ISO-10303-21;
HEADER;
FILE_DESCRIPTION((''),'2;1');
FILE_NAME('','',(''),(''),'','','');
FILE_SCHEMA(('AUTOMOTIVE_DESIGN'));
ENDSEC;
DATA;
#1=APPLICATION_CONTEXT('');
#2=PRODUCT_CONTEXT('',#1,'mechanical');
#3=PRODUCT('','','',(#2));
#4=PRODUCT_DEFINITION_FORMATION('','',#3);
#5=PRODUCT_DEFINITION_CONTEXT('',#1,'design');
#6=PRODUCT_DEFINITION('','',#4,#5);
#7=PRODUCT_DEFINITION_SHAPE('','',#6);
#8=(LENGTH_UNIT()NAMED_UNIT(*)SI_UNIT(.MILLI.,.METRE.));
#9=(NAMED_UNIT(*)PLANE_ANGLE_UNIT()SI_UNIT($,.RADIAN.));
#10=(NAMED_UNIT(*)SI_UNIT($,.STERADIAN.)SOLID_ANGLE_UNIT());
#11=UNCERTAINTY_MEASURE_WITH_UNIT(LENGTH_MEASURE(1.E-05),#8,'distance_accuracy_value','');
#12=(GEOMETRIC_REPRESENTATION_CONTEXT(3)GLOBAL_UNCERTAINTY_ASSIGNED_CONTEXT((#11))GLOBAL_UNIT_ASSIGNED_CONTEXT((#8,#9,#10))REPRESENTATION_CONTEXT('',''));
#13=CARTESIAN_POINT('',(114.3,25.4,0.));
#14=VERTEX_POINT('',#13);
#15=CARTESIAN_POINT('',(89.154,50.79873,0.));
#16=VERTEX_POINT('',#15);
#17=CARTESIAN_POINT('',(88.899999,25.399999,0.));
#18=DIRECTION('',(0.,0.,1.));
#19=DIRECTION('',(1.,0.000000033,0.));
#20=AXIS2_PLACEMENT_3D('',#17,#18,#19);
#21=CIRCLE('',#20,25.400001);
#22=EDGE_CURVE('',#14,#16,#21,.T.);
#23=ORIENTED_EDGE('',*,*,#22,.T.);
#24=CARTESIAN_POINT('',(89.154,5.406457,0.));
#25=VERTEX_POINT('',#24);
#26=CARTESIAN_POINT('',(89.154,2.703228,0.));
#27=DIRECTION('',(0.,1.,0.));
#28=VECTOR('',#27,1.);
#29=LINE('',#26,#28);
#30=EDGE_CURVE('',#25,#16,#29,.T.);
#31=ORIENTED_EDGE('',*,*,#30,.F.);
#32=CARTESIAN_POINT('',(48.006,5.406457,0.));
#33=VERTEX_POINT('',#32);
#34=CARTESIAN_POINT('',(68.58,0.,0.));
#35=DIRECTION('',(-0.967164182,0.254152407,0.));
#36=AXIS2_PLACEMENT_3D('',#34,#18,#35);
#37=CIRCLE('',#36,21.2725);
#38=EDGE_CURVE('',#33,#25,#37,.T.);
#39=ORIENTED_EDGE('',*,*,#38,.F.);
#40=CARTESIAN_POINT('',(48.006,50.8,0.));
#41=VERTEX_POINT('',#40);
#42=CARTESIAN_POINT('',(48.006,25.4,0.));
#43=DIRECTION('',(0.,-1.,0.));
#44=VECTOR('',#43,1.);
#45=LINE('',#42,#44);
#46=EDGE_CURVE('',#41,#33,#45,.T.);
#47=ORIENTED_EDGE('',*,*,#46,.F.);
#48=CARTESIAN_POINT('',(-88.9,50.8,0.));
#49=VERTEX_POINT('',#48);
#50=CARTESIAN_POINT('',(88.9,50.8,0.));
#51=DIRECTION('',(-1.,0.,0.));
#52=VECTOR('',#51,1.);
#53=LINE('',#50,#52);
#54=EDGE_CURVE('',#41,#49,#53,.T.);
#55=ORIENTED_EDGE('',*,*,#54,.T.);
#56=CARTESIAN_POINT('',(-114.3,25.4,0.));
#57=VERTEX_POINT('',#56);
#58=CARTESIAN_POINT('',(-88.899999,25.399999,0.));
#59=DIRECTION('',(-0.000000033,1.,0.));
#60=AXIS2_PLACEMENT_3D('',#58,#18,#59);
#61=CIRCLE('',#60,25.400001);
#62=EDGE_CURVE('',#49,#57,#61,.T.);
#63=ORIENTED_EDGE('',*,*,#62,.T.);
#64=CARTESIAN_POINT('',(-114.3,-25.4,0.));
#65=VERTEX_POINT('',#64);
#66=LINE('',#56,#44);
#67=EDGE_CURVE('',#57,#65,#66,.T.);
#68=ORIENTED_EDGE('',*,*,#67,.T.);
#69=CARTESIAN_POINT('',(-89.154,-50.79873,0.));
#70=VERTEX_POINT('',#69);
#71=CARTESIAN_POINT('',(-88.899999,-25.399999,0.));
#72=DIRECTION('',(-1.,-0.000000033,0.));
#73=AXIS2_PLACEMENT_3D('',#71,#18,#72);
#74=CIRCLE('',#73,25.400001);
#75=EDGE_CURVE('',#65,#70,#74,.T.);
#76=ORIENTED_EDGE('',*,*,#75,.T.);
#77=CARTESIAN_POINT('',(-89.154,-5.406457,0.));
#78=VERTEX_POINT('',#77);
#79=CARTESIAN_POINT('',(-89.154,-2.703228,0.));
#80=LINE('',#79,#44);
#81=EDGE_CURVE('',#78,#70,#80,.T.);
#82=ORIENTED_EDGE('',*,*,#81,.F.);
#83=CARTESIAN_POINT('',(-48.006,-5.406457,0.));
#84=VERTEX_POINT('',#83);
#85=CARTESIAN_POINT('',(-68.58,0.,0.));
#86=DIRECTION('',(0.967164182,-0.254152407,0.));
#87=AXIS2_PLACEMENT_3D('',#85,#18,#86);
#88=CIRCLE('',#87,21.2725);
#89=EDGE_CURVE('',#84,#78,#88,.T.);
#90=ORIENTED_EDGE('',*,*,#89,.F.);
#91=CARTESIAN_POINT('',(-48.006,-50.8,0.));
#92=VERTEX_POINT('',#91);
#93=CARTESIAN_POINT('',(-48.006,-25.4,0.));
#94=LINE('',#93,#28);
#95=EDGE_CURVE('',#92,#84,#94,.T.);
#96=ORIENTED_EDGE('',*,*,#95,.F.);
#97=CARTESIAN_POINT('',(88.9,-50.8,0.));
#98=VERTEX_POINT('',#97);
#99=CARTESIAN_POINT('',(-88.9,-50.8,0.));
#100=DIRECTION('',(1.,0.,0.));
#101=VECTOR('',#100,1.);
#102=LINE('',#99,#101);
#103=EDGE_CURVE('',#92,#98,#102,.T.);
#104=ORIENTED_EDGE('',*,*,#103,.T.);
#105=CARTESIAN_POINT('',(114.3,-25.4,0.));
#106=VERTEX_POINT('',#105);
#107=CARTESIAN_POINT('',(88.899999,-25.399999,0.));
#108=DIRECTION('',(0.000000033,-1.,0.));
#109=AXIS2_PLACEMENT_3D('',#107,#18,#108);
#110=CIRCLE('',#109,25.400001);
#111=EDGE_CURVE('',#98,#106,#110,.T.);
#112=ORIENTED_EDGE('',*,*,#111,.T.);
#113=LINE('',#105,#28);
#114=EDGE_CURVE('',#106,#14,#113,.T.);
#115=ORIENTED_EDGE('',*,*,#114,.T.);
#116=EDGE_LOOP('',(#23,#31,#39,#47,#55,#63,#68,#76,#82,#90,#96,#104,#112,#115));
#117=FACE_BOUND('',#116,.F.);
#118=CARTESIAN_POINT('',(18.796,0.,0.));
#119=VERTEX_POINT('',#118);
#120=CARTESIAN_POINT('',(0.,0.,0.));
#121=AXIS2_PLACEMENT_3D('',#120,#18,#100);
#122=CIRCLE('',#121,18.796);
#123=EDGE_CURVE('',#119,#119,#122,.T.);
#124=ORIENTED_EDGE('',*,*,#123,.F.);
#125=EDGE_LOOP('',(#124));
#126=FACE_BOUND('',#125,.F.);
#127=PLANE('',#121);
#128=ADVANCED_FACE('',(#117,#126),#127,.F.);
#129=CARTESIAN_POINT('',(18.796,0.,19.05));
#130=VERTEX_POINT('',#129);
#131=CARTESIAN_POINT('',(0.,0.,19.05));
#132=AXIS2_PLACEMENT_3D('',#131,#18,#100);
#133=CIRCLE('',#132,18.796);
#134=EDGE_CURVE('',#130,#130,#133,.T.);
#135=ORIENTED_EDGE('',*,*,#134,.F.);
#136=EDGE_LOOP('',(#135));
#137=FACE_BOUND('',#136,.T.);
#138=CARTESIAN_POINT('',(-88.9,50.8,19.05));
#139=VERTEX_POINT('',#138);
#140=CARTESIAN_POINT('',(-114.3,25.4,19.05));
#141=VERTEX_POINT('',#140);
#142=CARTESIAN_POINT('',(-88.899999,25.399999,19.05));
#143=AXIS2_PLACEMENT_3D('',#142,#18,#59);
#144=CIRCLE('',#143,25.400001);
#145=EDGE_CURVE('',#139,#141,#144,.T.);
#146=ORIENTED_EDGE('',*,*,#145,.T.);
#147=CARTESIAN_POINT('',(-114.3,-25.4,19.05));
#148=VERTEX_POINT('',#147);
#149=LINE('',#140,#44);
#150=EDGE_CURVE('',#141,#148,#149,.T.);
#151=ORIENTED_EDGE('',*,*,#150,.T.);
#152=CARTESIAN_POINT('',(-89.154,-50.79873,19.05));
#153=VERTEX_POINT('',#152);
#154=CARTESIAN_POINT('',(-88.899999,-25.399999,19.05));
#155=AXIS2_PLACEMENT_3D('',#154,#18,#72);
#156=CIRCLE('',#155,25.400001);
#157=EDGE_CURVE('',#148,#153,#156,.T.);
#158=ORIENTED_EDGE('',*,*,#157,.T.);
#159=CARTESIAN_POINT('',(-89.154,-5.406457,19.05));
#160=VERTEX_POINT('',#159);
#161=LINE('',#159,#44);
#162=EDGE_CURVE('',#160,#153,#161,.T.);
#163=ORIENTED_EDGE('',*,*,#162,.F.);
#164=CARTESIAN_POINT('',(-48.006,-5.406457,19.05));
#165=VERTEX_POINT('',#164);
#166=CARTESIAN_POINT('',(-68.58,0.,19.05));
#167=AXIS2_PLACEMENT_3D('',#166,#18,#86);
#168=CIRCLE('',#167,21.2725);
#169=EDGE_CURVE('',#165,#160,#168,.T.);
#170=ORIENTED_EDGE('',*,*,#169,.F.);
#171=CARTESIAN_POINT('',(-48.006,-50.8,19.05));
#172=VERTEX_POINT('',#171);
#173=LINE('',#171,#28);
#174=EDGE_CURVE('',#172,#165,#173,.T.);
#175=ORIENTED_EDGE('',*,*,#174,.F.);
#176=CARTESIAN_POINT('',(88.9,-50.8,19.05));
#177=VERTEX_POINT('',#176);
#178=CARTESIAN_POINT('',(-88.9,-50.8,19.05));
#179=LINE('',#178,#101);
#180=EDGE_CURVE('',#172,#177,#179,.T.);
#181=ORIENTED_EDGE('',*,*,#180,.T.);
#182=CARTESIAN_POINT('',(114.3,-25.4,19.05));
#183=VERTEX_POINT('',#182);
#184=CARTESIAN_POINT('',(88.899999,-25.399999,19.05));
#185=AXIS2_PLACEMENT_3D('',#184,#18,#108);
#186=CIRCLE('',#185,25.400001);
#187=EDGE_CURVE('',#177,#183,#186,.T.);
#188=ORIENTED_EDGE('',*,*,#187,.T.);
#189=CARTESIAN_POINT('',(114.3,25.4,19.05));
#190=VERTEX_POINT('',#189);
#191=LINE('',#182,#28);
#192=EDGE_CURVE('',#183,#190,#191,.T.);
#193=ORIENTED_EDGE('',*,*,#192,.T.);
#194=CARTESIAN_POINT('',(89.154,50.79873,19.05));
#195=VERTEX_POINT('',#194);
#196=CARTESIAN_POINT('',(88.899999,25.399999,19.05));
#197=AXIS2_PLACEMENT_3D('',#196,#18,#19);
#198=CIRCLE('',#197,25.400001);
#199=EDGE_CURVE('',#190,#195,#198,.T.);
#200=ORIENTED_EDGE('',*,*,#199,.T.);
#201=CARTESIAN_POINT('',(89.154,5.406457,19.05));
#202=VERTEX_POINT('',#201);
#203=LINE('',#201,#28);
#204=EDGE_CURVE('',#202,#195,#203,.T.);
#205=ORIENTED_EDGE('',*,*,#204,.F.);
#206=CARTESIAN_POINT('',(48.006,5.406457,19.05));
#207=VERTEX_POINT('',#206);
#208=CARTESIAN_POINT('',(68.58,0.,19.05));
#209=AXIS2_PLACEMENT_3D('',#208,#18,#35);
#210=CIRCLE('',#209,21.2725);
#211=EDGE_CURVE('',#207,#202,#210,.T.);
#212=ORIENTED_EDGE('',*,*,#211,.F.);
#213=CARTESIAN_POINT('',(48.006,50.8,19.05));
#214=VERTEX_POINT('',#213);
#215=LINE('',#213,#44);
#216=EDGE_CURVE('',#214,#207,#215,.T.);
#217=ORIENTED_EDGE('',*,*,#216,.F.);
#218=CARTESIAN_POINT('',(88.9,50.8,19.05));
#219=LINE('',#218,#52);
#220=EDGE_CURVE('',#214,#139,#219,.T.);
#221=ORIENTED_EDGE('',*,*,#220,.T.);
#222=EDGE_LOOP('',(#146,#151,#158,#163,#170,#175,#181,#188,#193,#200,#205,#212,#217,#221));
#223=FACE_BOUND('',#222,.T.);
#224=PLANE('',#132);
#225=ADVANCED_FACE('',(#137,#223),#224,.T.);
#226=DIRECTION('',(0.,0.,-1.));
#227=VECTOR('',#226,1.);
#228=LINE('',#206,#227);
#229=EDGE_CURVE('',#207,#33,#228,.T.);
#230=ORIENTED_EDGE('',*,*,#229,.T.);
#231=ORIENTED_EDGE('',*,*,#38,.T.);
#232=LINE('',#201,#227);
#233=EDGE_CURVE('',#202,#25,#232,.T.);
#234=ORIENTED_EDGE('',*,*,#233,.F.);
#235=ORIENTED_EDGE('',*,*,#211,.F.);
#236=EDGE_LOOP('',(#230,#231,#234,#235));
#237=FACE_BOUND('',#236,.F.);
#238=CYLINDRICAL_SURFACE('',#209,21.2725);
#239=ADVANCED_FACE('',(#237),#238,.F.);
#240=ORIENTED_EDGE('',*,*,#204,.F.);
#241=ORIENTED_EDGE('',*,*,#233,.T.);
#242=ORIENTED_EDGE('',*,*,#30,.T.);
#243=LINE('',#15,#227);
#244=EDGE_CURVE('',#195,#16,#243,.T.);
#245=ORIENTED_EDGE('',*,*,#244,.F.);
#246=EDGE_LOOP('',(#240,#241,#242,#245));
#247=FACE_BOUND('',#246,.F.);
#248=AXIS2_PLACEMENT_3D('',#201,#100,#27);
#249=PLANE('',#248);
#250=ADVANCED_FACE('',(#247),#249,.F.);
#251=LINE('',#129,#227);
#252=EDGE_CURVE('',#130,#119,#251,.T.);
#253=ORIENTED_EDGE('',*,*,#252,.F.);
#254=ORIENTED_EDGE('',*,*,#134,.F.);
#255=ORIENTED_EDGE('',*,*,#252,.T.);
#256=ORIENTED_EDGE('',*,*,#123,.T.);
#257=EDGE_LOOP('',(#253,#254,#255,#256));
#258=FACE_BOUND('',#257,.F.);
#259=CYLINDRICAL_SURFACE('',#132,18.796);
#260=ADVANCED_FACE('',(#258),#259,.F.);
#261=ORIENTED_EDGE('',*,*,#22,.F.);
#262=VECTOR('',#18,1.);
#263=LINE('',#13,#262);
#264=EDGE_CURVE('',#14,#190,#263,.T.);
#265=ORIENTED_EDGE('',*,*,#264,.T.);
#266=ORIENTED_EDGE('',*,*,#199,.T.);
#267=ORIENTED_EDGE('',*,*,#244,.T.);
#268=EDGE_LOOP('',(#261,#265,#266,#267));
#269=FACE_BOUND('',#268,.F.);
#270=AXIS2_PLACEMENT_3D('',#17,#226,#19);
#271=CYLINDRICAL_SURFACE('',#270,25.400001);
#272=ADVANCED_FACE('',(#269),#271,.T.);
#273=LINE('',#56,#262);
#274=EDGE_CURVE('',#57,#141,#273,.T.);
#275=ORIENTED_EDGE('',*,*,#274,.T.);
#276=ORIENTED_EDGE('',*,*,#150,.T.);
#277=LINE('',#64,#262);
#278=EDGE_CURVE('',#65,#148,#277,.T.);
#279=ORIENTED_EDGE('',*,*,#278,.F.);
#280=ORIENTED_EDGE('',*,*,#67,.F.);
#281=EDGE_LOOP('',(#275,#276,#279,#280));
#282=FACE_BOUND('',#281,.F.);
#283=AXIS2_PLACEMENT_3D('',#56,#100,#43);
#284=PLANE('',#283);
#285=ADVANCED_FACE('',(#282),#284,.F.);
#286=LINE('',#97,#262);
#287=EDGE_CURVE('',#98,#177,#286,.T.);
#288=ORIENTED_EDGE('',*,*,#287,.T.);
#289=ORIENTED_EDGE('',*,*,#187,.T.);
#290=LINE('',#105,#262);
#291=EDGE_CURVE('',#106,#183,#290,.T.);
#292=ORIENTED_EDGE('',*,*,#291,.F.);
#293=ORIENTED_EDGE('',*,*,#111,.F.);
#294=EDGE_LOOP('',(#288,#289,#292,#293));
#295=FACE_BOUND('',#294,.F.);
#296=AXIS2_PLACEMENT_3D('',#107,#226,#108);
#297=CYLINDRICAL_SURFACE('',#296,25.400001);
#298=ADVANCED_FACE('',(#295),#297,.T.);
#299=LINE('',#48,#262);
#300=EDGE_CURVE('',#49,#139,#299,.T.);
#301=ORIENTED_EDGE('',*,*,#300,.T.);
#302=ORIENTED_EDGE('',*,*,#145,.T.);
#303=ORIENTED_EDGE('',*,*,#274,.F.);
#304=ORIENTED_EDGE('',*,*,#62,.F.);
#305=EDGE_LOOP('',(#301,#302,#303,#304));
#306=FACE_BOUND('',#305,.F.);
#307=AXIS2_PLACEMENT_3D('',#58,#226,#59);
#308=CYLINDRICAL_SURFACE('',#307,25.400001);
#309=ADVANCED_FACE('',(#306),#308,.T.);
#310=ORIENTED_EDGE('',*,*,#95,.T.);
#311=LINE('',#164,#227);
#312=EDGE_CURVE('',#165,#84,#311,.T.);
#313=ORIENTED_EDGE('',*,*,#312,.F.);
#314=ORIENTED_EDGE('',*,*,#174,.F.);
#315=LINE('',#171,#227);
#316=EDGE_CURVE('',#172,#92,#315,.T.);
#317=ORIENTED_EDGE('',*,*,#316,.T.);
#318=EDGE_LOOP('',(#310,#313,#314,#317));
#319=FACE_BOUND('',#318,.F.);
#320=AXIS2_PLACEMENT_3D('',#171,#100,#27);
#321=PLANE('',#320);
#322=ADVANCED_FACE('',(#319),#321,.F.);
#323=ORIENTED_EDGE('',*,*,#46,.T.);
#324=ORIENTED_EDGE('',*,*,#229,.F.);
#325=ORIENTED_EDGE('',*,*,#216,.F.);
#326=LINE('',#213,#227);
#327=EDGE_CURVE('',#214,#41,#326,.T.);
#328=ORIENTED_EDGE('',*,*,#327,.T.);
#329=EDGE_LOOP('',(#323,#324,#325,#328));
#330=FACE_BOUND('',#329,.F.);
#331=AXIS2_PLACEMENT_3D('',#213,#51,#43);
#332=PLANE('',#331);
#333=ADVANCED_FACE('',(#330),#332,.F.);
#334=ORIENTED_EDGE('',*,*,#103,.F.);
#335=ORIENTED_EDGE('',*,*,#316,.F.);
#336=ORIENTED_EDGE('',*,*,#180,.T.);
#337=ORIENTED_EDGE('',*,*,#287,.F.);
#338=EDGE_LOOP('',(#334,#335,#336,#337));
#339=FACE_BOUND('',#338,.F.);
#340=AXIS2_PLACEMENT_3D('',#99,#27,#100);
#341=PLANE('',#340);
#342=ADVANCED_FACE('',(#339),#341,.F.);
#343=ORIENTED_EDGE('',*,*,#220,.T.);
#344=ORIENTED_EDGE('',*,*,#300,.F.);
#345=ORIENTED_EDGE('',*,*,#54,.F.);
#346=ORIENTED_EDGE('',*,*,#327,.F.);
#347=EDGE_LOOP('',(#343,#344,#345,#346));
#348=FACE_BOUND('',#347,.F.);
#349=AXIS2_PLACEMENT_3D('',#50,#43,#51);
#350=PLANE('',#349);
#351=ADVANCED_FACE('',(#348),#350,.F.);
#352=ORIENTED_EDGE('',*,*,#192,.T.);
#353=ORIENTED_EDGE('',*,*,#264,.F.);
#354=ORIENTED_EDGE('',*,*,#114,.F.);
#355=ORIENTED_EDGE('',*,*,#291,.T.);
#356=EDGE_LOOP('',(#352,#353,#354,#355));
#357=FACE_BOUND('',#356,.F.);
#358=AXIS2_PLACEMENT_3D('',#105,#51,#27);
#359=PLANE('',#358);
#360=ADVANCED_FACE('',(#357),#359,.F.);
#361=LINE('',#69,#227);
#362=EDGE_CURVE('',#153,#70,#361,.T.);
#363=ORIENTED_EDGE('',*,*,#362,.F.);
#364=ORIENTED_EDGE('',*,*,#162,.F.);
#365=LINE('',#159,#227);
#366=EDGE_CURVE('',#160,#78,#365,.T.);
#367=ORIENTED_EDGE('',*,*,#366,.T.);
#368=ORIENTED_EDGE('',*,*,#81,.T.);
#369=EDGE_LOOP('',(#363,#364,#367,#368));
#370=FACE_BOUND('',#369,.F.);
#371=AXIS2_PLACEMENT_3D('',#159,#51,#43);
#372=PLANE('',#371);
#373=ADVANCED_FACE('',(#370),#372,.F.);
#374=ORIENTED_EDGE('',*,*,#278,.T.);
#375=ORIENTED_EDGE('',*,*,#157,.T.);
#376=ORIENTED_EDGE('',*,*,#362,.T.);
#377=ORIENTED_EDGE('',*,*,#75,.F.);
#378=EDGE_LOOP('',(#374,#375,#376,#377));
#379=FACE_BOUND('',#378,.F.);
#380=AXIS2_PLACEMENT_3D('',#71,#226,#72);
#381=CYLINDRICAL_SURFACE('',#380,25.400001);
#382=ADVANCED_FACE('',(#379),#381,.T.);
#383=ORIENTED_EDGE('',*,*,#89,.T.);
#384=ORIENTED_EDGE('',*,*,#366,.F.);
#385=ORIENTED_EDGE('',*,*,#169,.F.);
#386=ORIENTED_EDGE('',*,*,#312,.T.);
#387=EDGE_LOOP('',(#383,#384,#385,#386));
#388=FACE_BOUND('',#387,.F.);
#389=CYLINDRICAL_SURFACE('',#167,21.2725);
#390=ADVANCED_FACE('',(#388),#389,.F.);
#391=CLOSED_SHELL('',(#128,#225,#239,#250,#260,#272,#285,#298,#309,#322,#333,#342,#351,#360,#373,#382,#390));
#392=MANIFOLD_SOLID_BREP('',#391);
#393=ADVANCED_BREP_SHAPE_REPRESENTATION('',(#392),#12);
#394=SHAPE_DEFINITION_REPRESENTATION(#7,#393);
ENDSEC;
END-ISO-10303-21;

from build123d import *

# Parameters (mm, degrees)
F1_DEPTH = 19.05
F2_R     = 18.796
F3_DEPTH = 19.051
F5_DEPTH = 19.051


with BuildPart() as f1:
    # F0 (on Top) → F1 (new body)
    with BuildSketch(Plane.XY):
        with BuildLine():
            ThreePointArc((114.3, 25.4), (106.860512, 43.360512), (88.9, 50.8))
            Line((88.9, 50.8), (-88.9, 50.8))
            ThreePointArc((-88.9, 50.8), (-106.860512, 43.360512), (-114.3, 25.4))
            Line((-114.3, 25.4), (-114.3, -25.4))
            ThreePointArc((-114.3, -25.4), (-106.860512, -43.360512), (-88.9, -50.8))
            Line((-88.9, -50.8), (88.9, -50.8))
            ThreePointArc((88.9, -50.8), (106.860512, -43.360512), (114.3, -25.4))
            Line((114.3, -25.4), (114.3, 25.4))
        make_face()
    extrude(amount=F1_DEPTH)

    # F2 (on face) → F3 (cut, through all)
    with BuildSketch(Plane.XY.offset(19.05)):
        Circle(F2_R)
    extrude(amount=-F3_DEPTH, mode=Mode.SUBTRACT)

    # F4 (on face) → F5 (cut, through all)
    with BuildSketch(Plane.XY.offset(19.05)):
        with BuildLine():
            Line((-48.006, -50.8), (-48.006, -5.406457))
            ThreePointArc((-48.006, -5.406457), (-68.58, 21.2725), (-89.154, -5.406457))
            Line((-89.154, -5.406457), (-89.154, -50.8))
            Line((-89.154, -50.8), (-48.006, -50.8))
        make_face()
        with BuildLine():
            ThreePointArc((48.006, 5.406457), (68.58, -21.2725), (89.154, 5.406457))
            Line((89.154, 5.406457), (89.154, 50.8))
            Line((89.154, 50.8), (48.006, 50.8))
            Line((48.006, 50.8), (48.006, 5.406457))
        make_face()
    extrude(amount=-F5_DEPTH, mode=Mode.SUBTRACT)


solid = f1.part
